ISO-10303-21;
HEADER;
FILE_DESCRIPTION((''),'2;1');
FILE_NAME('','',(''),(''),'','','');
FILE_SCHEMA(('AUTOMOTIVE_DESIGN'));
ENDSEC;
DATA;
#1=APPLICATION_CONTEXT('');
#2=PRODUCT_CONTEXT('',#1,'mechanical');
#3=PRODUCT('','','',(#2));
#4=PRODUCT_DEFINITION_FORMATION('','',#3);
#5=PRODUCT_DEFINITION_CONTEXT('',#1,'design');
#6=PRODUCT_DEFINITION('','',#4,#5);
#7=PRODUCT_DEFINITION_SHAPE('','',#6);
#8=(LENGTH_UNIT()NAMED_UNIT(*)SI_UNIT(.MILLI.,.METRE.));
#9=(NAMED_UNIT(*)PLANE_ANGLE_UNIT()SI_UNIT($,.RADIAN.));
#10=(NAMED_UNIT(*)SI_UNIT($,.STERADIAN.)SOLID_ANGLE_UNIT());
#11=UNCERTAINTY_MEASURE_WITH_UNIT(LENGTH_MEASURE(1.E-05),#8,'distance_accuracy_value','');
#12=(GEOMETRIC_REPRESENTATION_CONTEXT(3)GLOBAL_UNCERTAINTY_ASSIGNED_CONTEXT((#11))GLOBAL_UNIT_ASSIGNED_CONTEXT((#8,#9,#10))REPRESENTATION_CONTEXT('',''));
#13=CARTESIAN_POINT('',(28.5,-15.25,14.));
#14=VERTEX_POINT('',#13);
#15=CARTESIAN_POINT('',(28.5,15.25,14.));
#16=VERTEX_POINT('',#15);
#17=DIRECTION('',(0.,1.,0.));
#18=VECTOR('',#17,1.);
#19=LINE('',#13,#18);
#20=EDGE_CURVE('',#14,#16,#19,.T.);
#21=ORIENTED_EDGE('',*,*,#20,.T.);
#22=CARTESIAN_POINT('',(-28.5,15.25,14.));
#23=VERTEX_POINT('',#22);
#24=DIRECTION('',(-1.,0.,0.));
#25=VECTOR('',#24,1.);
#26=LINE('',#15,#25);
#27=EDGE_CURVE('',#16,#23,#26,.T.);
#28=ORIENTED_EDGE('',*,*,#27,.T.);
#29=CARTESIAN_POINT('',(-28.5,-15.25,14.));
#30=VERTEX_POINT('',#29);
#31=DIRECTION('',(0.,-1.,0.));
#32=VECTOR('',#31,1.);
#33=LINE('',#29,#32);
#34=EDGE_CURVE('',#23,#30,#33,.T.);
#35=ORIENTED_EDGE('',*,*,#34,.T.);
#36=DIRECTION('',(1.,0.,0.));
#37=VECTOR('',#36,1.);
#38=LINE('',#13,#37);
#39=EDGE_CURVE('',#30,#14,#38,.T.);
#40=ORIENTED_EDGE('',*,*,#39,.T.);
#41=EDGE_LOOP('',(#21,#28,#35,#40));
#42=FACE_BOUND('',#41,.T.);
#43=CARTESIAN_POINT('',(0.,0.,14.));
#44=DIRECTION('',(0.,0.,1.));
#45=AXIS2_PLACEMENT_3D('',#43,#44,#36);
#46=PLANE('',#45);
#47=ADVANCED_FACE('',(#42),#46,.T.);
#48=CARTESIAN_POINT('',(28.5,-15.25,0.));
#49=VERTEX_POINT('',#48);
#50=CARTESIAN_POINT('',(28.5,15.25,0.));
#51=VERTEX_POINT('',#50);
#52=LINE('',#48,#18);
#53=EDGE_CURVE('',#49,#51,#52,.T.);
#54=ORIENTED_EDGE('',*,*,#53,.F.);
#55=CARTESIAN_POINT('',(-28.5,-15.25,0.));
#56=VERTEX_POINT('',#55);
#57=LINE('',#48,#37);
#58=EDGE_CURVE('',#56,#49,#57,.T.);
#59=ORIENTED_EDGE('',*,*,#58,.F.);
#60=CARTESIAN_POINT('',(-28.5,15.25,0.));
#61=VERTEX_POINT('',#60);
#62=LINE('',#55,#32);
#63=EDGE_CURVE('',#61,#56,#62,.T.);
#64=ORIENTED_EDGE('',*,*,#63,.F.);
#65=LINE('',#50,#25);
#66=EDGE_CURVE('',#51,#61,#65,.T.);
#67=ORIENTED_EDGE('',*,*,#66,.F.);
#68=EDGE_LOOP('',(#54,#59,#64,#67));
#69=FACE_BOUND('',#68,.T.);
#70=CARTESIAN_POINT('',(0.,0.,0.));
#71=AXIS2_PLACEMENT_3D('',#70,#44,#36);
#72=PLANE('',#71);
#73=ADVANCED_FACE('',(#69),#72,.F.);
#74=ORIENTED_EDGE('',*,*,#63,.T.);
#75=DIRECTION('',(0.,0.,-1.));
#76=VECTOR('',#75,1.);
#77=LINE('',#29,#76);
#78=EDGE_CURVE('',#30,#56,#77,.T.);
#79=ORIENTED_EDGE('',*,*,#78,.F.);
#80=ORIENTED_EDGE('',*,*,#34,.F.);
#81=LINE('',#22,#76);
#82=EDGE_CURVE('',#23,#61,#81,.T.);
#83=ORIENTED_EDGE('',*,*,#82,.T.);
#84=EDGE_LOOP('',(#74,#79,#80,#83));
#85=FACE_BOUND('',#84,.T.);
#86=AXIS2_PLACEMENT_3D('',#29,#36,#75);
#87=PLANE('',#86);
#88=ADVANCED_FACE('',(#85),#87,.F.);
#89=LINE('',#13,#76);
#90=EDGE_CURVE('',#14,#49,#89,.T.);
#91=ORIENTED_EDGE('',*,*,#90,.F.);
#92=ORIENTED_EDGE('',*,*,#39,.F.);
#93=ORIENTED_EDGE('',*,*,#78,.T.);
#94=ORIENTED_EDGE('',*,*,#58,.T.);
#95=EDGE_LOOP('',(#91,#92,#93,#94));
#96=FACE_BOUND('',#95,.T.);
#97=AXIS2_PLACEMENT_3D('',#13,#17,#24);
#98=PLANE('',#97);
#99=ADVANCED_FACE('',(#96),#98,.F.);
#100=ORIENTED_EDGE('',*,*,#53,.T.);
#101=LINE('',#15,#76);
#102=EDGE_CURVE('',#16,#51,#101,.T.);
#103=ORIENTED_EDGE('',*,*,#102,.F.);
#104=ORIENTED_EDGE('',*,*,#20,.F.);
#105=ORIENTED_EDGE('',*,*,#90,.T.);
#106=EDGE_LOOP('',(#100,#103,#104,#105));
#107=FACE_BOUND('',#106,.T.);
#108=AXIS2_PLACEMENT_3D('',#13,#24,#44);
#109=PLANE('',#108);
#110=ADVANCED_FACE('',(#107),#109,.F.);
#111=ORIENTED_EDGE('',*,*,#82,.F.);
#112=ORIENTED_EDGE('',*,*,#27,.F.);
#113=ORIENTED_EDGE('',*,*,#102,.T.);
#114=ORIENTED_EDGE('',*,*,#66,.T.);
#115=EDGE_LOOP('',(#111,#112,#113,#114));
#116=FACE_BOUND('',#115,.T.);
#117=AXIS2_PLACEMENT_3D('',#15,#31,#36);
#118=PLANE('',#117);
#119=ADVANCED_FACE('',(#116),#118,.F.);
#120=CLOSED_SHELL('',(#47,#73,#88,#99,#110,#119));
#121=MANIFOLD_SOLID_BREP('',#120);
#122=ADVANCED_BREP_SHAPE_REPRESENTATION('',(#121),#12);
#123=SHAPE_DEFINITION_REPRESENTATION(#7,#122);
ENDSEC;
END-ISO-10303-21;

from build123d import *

# Parameters (mm, degrees)
SKETCH1_W           = 57
SKETCH1_H           = 30.5
BOSS_EXTRUDE1_DEPTH = 14


with BuildPart() as part:
    # Sketch1 → Boss-Extrude1 (new body)
    with BuildSketch(Plane.XY):
        Rectangle(SKETCH1_W, SKETCH1_H)
    extrude(amount=BOSS_EXTRUDE1_DEPTH)


solid = part.part
